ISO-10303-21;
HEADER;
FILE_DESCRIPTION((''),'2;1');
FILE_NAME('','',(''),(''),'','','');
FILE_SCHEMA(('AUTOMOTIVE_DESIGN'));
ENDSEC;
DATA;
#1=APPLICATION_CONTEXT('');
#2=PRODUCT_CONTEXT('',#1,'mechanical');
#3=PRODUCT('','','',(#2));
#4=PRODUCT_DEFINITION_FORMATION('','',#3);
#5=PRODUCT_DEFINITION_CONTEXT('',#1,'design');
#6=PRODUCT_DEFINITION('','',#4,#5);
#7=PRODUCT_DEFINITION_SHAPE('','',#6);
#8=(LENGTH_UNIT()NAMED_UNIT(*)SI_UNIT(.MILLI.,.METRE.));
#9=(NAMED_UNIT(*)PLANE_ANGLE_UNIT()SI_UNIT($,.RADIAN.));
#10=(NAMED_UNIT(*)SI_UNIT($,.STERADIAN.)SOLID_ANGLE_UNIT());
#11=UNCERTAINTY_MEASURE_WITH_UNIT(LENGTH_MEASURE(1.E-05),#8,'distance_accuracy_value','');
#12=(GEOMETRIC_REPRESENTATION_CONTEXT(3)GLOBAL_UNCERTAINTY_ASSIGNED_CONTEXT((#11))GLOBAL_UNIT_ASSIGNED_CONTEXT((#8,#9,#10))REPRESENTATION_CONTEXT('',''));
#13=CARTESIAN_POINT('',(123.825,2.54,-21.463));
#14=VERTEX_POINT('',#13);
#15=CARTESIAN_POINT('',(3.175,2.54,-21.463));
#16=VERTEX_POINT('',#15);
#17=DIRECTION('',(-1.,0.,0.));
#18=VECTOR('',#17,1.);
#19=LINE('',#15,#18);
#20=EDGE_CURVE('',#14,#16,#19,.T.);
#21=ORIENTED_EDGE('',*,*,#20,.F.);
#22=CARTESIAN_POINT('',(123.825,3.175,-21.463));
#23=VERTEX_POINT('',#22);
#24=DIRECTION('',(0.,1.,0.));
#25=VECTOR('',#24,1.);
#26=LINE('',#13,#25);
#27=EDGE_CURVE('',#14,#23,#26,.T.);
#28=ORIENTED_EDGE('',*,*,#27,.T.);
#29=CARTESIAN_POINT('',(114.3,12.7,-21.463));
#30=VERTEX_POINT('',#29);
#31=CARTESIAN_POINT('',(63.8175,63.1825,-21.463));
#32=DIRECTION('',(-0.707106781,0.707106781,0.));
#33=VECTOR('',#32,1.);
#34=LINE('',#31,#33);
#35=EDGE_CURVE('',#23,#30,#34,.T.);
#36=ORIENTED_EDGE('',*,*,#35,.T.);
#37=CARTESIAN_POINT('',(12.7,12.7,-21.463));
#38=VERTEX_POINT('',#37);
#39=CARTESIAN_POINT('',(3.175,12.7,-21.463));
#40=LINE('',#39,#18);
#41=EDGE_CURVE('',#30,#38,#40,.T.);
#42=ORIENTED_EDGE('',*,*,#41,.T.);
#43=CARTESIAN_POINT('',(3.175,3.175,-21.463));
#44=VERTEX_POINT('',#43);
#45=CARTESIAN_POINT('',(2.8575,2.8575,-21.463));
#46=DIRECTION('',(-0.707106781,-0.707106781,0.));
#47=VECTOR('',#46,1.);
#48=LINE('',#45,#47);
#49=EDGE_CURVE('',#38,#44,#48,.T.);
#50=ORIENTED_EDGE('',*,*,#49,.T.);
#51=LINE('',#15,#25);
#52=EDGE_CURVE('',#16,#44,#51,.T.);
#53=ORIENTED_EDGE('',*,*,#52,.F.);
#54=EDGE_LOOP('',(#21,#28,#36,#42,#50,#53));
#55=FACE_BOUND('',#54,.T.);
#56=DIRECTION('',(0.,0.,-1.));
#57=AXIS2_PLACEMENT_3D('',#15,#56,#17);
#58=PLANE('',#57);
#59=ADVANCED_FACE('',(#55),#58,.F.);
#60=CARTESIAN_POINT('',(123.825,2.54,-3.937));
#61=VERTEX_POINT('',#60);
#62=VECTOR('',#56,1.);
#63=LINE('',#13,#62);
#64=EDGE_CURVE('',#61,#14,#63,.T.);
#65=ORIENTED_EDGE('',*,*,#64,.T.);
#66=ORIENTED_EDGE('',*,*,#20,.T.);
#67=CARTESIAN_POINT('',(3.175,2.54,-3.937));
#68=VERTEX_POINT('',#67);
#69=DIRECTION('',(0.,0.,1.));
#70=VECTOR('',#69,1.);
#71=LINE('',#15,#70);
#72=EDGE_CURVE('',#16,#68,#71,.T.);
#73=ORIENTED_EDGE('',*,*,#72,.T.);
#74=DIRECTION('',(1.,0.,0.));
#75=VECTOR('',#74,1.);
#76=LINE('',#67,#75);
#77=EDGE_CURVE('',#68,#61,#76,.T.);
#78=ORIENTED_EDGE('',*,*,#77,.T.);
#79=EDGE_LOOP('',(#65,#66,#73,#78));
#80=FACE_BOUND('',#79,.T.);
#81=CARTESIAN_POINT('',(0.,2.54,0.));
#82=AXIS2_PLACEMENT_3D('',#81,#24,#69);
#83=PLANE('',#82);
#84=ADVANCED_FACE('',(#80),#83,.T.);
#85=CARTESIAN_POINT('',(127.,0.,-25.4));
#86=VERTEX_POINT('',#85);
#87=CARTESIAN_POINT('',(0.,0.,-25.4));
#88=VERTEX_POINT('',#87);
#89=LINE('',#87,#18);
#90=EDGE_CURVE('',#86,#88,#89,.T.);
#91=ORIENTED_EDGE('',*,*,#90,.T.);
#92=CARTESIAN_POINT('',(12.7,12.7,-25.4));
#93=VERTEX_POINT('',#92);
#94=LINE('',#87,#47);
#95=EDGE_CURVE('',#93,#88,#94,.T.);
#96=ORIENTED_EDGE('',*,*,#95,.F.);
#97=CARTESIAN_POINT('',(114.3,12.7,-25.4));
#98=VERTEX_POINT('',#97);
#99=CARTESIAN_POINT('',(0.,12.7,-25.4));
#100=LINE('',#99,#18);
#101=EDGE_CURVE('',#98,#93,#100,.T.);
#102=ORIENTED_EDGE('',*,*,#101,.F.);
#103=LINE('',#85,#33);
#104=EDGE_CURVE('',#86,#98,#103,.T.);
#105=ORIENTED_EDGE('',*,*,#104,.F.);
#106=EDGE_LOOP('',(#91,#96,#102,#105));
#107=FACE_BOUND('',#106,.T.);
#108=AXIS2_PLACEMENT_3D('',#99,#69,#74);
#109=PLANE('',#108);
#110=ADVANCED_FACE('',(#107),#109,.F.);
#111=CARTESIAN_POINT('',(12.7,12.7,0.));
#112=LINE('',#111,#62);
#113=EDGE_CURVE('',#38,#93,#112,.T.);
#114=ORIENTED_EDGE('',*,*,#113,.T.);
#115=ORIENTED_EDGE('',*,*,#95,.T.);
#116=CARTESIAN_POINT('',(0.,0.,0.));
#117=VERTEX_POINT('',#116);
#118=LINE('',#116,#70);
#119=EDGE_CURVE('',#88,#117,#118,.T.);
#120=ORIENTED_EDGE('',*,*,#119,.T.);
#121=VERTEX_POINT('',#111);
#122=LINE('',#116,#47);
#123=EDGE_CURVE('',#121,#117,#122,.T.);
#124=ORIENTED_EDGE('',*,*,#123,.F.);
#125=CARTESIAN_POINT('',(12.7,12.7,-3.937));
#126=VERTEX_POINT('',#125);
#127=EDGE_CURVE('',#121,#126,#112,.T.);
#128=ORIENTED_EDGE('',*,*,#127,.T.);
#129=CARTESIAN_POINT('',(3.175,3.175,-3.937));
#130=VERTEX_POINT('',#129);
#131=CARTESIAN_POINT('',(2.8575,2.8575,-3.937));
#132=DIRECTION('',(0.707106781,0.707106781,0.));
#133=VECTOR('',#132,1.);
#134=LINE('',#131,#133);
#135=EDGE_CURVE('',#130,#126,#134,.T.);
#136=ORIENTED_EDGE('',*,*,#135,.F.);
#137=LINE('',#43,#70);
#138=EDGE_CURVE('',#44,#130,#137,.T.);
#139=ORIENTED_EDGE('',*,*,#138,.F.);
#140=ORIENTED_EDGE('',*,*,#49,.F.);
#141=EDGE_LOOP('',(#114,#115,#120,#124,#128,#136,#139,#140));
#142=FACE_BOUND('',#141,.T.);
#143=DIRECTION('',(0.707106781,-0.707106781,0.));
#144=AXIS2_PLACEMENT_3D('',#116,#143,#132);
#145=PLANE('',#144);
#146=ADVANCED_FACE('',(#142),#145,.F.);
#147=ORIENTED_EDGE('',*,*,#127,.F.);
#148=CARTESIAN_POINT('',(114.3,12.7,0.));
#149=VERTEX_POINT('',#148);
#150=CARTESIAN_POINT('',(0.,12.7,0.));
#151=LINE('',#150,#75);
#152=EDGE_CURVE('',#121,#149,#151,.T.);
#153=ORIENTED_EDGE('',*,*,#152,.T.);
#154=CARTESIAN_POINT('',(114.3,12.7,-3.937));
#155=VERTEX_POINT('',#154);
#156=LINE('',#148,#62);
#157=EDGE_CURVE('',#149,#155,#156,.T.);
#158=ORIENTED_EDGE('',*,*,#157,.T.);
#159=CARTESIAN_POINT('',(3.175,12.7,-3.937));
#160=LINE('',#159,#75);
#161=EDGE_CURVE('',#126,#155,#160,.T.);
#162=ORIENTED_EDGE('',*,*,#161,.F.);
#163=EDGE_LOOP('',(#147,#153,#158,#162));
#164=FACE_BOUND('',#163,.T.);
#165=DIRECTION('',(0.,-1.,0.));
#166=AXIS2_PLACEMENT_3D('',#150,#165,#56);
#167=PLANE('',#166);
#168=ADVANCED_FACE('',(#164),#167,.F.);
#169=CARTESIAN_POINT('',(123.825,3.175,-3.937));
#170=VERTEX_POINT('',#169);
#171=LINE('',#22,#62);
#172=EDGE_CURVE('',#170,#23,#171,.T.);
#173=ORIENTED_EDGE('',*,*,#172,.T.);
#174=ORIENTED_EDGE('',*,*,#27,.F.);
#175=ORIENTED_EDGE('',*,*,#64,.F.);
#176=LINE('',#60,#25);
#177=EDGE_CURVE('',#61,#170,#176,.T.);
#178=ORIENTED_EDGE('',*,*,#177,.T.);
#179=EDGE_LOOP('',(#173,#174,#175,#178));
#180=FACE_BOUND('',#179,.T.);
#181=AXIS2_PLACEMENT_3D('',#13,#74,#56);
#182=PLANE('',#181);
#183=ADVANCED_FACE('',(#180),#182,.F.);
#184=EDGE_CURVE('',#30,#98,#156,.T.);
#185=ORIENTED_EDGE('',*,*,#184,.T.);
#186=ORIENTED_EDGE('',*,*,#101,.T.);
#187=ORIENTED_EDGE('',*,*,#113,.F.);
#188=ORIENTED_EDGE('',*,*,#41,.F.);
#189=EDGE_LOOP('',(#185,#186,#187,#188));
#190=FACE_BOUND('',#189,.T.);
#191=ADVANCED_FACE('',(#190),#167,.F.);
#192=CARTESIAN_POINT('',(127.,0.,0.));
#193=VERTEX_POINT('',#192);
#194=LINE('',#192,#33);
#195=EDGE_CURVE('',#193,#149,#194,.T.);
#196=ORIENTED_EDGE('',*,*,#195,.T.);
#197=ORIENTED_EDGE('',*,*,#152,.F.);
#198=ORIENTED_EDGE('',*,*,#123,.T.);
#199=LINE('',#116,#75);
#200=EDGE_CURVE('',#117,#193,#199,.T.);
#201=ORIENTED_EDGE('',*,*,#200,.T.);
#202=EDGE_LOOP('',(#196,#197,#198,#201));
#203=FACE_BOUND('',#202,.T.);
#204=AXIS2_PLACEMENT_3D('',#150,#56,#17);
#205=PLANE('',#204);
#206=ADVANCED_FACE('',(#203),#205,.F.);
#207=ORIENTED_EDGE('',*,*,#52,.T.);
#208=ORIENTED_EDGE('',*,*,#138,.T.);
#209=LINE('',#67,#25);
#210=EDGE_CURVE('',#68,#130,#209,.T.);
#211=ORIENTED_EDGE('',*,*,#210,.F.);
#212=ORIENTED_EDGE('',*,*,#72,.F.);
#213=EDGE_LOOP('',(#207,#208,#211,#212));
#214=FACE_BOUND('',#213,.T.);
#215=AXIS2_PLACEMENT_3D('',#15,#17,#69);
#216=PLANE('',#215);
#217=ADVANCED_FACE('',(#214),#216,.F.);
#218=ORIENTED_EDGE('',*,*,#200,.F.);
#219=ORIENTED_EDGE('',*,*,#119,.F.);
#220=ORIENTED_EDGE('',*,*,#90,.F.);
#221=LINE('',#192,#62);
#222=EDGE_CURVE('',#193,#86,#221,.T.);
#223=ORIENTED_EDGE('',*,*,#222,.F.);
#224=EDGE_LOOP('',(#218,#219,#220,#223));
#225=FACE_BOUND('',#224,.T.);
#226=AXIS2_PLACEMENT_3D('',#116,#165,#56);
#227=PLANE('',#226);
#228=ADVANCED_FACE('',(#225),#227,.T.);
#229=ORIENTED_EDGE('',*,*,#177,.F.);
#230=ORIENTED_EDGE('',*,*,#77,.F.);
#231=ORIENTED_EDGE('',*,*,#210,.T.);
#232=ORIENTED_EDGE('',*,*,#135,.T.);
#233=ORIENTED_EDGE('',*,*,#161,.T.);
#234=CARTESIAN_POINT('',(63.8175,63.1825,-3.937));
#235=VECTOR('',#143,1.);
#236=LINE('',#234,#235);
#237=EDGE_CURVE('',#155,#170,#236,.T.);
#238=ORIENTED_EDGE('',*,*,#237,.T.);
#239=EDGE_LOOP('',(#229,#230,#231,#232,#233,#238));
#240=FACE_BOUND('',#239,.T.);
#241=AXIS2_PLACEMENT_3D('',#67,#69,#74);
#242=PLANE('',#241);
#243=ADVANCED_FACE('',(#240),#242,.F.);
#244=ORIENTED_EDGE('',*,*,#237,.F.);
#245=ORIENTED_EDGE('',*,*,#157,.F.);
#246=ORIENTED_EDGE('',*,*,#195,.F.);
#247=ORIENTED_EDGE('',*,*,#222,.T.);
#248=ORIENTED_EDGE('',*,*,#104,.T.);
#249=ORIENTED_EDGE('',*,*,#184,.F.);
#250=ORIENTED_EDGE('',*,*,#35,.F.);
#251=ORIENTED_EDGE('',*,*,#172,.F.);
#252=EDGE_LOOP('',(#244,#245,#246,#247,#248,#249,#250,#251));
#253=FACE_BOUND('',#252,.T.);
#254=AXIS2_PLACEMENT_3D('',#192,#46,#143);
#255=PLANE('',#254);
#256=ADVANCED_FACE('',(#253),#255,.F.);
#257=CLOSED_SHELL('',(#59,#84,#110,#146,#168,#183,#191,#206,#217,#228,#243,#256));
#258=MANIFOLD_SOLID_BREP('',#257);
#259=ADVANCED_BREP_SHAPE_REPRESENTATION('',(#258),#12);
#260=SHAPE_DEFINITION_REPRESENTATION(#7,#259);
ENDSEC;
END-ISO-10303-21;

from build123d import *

# Parameters (mm, degrees)
SKETCH1_W          = 127
SKETCH1_H          = 25.4
BASE_EXTRUDE_DEPTH = 12.7
SKETCH3_W          = 120.65
SKETCH3_H          = 17.526
PIECE_CUT_DEPTH    = 10.16
CORNER_CUT_DEPTH   = 131.136274728


with BuildPart() as part:
    # Sketch1 → Base Extrude (new body)
    with BuildSketch(Plane(origin=(0, 0, 0), x_dir=(1, 0, 0), z_dir=(0, 1, 0))):
        with Locations((63.5, 12.7)):
            Rectangle(SKETCH1_W, SKETCH1_H)
    extrude(amount=BASE_EXTRUDE_DEPTH)

    # Sketch3 → Piece Cut (cut)
    with BuildSketch(Plane(origin=(0, 12.7, 0), x_dir=(1, 0, 0), z_dir=(0, 1, 0))):
        with Locations((63.5, 12.7)):
            Rectangle(SKETCH3_W, SKETCH3_H)
    extrude(amount=-PIECE_CUT_DEPTH, mode=Mode.SUBTRACT)

    # Sketch4 → Corner Cut (cut, through all)
    with BuildSketch(Plane(origin=(0, 0, -25.4), x_dir=(-1, 0, 0), z_dir=(0, 0, -1))):
        Polygon((0, 0), (-12.7, 12.7), (0, 12.7), align=None)
        Polygon((-127, 12.7), (-114.3, 12.7), (-127, 0), align=None)
    extrude(amount=-CORNER_CUT_DEPTH, mode=Mode.SUBTRACT)


solid = part.part
